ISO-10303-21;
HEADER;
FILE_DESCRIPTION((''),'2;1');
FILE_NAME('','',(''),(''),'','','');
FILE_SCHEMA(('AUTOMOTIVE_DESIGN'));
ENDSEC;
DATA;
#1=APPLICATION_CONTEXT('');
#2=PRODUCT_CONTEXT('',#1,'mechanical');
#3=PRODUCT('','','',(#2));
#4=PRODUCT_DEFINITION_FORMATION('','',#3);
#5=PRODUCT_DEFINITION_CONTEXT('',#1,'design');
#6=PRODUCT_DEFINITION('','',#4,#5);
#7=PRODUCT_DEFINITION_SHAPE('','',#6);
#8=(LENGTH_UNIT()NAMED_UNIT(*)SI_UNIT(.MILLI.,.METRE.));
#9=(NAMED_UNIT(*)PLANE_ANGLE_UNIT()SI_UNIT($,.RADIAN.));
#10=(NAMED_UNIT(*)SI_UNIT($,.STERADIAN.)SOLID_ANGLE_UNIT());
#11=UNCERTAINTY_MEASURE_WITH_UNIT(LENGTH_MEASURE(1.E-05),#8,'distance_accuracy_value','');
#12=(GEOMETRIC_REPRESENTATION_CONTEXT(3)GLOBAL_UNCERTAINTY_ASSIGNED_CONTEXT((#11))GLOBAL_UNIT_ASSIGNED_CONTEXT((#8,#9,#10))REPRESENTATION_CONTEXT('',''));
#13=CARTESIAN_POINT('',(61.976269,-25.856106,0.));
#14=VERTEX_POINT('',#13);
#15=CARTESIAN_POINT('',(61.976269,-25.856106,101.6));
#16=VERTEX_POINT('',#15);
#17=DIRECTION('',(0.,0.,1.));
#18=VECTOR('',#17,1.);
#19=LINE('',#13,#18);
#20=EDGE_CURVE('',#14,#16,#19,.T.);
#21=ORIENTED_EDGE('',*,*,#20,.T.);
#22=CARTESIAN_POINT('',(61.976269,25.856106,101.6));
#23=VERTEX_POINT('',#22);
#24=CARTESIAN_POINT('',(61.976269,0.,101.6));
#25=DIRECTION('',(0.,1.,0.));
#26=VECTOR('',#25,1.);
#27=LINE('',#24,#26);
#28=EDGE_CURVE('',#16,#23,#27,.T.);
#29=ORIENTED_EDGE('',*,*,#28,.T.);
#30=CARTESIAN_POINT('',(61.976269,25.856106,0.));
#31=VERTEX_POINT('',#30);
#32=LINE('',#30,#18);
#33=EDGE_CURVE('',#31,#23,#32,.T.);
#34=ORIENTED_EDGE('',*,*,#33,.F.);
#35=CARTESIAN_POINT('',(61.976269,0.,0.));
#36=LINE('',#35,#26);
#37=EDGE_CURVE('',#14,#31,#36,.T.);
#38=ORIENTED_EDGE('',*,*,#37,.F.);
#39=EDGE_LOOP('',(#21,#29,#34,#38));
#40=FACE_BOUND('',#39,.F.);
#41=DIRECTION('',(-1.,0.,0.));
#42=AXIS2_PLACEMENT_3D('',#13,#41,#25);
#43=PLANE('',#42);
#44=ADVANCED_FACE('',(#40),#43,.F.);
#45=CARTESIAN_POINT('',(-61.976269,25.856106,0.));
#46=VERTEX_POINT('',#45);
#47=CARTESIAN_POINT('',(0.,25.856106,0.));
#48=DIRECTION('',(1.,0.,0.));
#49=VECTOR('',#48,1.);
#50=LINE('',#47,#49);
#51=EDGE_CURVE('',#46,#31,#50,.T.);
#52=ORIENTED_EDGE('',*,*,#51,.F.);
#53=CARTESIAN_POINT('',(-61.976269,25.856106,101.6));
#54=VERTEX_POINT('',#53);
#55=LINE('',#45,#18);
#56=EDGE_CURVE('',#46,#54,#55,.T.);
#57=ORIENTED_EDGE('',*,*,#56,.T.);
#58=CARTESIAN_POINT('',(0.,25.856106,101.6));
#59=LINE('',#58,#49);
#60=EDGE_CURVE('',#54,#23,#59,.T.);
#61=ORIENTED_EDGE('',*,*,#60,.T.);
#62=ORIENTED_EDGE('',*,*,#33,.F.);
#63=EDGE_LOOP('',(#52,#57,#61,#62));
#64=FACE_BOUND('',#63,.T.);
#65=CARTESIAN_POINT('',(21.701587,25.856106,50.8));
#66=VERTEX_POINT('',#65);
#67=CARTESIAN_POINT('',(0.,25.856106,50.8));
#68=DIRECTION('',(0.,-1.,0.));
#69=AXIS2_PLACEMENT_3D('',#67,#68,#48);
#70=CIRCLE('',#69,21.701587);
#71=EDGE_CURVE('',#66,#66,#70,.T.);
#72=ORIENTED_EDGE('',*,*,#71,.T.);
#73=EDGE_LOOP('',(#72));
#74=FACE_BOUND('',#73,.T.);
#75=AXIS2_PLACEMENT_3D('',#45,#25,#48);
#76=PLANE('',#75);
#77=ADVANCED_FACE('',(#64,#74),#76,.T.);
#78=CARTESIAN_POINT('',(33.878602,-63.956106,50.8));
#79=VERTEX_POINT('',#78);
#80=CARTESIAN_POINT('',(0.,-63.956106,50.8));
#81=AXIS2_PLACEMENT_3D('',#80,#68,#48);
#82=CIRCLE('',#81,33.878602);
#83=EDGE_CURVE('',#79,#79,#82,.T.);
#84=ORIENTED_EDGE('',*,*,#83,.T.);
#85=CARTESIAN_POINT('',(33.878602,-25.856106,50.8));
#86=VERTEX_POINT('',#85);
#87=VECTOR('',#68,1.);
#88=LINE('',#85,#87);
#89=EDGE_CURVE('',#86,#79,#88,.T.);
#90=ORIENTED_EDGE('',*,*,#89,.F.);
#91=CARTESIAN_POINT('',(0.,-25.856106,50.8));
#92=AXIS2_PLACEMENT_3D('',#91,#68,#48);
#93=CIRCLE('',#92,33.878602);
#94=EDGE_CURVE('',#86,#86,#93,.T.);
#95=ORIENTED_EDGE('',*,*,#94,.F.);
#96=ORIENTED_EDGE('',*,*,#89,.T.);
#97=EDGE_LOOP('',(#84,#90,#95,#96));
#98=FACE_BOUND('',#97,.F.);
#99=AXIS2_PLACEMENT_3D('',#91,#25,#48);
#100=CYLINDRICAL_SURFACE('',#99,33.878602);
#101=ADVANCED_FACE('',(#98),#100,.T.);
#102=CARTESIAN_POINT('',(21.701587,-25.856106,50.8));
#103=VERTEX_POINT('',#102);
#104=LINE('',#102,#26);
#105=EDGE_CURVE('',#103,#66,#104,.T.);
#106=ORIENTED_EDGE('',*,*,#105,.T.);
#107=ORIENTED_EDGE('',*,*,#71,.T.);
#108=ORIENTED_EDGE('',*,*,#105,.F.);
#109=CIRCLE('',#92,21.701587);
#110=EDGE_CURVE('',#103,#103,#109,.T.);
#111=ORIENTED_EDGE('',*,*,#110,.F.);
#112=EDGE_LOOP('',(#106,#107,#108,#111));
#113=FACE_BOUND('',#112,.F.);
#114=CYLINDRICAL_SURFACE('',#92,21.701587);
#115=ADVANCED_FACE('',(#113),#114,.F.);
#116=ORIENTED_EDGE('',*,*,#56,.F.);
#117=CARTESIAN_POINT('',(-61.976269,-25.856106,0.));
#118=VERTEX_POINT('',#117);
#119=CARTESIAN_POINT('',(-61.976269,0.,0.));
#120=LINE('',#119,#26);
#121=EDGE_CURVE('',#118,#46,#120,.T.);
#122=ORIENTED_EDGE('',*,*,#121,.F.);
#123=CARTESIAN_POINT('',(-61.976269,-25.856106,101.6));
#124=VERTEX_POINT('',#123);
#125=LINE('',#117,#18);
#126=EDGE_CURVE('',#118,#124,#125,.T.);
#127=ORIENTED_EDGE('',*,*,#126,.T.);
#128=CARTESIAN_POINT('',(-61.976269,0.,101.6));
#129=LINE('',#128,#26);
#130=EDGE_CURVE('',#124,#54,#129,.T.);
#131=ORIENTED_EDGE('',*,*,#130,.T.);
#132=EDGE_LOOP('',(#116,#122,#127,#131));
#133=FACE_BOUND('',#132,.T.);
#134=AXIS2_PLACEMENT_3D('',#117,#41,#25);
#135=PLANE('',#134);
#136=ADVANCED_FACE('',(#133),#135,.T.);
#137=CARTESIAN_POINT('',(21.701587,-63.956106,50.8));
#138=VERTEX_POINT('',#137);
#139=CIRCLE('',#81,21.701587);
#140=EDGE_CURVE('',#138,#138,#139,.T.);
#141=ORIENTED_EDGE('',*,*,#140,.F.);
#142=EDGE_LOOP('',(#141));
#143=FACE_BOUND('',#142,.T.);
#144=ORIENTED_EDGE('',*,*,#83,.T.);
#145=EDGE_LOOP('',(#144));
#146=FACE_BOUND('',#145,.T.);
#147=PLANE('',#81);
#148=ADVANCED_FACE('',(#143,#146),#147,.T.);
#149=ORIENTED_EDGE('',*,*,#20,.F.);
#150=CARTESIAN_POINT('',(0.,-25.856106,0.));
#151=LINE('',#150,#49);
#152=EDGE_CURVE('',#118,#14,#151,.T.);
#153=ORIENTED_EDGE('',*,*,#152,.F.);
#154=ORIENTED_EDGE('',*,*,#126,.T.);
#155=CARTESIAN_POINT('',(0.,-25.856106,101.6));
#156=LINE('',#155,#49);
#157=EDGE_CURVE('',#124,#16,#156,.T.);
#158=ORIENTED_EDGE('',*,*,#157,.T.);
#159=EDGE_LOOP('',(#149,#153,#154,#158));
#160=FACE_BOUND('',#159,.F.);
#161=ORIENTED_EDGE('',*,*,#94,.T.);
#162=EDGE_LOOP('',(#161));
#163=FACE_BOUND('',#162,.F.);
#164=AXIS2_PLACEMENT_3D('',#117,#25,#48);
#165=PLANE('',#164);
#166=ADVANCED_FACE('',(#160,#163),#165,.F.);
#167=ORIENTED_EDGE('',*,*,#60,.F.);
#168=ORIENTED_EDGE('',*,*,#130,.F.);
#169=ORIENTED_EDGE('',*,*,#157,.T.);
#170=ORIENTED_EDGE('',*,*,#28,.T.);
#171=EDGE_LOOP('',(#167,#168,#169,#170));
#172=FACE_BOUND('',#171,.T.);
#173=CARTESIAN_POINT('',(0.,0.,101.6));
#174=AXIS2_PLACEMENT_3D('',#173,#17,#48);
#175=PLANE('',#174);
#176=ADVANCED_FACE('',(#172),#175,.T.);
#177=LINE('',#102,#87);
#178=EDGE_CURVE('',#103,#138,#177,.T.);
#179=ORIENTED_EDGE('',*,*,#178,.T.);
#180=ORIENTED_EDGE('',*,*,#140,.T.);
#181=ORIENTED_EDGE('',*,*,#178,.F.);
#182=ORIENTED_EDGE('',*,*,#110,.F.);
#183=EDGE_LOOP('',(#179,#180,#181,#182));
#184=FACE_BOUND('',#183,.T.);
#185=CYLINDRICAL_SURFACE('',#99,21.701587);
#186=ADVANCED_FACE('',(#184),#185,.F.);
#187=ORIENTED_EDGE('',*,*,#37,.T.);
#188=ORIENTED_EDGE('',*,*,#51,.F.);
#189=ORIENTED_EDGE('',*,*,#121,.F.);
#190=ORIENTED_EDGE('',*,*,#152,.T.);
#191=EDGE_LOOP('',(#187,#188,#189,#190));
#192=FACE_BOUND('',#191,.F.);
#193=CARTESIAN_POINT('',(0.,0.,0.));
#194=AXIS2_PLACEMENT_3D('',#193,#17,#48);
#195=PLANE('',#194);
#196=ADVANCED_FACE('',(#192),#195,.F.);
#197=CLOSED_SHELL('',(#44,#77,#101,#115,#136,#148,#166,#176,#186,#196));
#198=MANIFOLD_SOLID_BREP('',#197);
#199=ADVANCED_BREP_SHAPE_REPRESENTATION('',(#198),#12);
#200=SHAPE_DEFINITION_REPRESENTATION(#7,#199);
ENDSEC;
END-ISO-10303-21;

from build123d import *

# Parameters (mm, degrees)
F0_W      = 123.952538
F0_H      = 51.712212
F1_DEPTH  = 101.6
F2_R      = 33.878602
F2_R_2    = 21.701587
F3_DEPTH  = 38.1
F3_FACE_R = 21.701587
F4_DEPTH  = 2540


with BuildPart() as f1:
    # F0 (on Top) → F1 (new body)
    with BuildSketch(Plane.XY):
        Rectangle(F0_W, F0_H)
    extrude(amount=F1_DEPTH)

    # F2 (on face) → F3 (join)
    with BuildSketch(Plane.XZ.offset(25.856106)):
        with Locations((0, 50.8)):
            Circle(F2_R)
        with Locations((0, 50.8)):
            Circle(F2_R_2, mode=Mode.SUBTRACT)
    extrude(amount=F3_DEPTH)

    # F3_face (on face) → F4 (cut)
    with BuildSketch(Plane(origin=(0, -25.856106, 50.8), x_dir=(1, 0, 0), z_dir=(0, -1, 0))):
        Circle(F3_FACE_R)
    extrude(amount=-F4_DEPTH, mode=Mode.SUBTRACT)


solid = f1.part
